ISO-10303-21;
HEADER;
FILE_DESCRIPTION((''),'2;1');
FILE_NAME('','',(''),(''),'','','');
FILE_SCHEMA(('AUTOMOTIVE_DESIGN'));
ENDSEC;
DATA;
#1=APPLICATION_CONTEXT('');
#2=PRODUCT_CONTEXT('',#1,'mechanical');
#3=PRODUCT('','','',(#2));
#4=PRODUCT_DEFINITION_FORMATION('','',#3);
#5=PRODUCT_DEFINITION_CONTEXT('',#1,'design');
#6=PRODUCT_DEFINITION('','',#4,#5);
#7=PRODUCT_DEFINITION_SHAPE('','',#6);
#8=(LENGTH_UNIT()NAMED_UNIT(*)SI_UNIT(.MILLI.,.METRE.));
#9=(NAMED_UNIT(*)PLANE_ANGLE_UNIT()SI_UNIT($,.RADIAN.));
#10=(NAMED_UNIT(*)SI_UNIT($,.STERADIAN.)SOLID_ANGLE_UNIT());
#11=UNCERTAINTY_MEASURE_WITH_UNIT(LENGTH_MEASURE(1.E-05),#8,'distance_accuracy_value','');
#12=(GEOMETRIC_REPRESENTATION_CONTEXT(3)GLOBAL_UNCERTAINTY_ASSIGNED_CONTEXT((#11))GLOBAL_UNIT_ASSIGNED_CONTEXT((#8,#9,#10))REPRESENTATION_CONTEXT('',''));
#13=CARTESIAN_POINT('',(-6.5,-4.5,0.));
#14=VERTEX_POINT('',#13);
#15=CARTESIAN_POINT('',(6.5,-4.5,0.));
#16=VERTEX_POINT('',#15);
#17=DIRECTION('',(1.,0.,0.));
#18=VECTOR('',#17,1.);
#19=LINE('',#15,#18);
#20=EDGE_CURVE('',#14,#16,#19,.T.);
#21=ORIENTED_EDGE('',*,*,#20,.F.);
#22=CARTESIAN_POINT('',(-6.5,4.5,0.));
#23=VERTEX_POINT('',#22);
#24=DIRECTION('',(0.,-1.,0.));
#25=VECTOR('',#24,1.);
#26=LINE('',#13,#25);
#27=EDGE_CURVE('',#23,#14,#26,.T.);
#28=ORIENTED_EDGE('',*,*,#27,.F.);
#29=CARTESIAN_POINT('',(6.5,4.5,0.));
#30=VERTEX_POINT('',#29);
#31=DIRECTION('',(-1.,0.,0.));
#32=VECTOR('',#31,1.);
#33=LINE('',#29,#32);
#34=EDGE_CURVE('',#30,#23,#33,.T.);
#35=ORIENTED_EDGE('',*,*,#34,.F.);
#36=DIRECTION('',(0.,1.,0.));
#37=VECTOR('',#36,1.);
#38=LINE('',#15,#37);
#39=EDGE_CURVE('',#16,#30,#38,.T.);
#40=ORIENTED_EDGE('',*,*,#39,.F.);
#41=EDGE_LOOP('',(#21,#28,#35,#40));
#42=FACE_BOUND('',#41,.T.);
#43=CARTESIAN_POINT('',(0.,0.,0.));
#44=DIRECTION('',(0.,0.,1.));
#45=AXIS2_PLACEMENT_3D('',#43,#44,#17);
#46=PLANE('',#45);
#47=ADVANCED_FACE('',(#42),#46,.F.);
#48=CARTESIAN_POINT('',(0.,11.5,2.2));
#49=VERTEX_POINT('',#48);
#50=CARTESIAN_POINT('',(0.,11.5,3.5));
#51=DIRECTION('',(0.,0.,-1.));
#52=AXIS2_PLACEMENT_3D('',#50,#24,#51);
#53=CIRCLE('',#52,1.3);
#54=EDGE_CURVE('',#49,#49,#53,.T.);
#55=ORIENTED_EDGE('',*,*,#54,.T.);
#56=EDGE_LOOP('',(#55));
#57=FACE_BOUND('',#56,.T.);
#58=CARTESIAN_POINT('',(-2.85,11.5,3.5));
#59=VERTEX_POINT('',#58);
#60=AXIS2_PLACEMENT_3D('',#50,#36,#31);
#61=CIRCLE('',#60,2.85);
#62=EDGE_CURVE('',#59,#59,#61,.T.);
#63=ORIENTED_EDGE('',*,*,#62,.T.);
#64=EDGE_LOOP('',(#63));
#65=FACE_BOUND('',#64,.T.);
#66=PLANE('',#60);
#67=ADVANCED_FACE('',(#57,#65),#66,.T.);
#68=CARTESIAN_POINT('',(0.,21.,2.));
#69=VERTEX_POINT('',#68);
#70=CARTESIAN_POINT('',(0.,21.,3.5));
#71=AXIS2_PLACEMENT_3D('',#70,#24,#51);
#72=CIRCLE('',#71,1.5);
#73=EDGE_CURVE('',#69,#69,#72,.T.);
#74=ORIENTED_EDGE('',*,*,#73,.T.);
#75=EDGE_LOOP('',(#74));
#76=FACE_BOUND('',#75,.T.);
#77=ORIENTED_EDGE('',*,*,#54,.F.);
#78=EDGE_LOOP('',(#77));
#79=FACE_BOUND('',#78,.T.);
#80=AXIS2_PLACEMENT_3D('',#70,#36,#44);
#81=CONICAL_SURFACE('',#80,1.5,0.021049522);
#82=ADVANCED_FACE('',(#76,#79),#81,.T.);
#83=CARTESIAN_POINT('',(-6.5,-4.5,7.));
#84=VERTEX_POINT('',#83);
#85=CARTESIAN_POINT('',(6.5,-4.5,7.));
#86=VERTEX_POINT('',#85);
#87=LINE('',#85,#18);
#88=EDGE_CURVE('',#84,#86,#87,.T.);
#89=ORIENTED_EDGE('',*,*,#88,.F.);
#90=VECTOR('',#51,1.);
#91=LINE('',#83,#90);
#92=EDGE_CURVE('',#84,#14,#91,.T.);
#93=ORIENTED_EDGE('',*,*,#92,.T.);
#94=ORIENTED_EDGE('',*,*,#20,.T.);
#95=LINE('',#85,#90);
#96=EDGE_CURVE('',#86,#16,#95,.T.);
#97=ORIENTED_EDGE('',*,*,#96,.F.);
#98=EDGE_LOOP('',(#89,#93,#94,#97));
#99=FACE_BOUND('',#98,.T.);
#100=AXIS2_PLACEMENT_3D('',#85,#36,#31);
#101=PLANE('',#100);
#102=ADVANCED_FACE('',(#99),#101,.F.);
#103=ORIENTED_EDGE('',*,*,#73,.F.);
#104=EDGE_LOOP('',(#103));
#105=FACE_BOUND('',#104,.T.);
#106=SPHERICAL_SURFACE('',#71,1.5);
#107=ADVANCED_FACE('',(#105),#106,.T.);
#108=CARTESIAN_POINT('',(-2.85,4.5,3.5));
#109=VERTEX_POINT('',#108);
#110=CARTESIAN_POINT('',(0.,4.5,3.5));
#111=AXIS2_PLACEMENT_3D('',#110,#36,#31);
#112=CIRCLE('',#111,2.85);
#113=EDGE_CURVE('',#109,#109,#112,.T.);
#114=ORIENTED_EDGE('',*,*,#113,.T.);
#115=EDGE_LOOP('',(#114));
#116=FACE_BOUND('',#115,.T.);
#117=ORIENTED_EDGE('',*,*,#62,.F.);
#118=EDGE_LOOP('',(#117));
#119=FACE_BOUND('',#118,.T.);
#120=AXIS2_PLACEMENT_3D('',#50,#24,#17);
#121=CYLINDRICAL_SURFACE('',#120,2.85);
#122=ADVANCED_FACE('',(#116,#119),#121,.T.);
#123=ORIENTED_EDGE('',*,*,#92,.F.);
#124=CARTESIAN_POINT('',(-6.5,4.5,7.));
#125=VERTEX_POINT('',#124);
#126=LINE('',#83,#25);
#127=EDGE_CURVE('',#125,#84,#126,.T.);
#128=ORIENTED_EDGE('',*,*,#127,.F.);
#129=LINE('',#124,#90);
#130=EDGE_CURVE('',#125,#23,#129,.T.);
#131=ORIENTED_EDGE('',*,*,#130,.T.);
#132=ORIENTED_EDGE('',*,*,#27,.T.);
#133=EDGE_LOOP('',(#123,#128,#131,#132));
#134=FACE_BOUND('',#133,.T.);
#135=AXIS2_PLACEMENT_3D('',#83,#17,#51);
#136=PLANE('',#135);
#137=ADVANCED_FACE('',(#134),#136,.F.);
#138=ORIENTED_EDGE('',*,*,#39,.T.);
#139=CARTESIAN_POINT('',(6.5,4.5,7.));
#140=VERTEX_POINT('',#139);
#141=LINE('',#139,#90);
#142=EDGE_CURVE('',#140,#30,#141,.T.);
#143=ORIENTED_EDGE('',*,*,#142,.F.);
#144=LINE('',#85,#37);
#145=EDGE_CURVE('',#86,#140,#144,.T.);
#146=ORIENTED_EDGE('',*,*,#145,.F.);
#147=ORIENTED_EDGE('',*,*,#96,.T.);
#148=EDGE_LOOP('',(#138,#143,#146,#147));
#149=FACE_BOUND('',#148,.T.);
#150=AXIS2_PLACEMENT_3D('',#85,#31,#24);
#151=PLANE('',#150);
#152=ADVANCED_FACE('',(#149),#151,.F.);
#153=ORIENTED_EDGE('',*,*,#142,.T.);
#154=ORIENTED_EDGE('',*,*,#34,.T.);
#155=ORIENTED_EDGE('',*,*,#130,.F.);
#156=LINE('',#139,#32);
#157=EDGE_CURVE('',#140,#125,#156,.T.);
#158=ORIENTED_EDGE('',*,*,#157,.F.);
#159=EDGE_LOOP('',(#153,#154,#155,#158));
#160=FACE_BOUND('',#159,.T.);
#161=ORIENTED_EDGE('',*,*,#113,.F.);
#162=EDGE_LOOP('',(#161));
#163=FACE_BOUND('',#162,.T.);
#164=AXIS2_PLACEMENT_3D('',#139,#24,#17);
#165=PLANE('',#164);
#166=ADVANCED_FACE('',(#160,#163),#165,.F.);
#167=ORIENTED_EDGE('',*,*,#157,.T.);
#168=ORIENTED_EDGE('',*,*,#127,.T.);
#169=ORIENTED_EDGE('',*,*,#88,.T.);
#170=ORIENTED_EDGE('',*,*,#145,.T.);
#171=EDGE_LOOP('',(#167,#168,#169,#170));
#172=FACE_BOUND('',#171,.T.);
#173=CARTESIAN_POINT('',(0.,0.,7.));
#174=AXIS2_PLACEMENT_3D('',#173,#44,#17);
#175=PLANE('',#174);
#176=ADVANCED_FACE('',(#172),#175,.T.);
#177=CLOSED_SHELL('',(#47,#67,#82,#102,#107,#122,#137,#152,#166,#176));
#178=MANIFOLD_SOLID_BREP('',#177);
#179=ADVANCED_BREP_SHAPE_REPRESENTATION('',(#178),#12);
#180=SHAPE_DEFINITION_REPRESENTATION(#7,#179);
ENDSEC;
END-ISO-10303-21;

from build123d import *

# Parameters (mm, degrees)
SKETCH_1_W      = 13
SKETCH_1_H      = 9
EXTRUDE_1_DEPTH = 7
SKETCH_2_R      = 2.85
EXTRUDE_2_DEPTH = 7


with BuildPart() as part:
    # 草图1 → 凸台-拉伸1 (new body)
    with BuildSketch(Plane.XY):
        Rectangle(SKETCH_1_W, SKETCH_1_H)
    extrude(amount=EXTRUDE_1_DEPTH)

    # 草图2 → 凸台-拉伸2 (add)
    with BuildSketch(Plane(origin=(0, 4.5, 0), x_dir=(1, 0, 0), z_dir=(0, 1, 0))):
        with Locations(Location((0, -3.5, 0), (0, 0, 180))):
            Circle(SKETCH_2_R)
    extrude(amount=EXTRUDE_2_DEPTH)

    # 草图3 → 旋转1 (revolve)
    with BuildSketch(Plane(origin=(0, 0, 0), x_dir=(0, 0, -1), z_dir=(1, 0, 0)), mode=Mode.PRIVATE) as revolve_1_sk:
        with BuildLine():
            Line((-3.5, 11.5), (-4.8, 11.5))
            Line((-4.8, 11.5), (-5, 21))
            ThreePointArc((-5, 21), (-4.560660172, 22.060660172), (-3.5, 22.5))
            Line((-3.5, 22.5), (-3.5, 11.5))
        make_face()
    revolve(revolve_1_sk.sketch.rotate(Axis((0, 11.5, 3.5), (0, 1, 0)), 180), axis=Axis((0, 11.5, 3.5), (0, 1, 0)))


solid = part.part
